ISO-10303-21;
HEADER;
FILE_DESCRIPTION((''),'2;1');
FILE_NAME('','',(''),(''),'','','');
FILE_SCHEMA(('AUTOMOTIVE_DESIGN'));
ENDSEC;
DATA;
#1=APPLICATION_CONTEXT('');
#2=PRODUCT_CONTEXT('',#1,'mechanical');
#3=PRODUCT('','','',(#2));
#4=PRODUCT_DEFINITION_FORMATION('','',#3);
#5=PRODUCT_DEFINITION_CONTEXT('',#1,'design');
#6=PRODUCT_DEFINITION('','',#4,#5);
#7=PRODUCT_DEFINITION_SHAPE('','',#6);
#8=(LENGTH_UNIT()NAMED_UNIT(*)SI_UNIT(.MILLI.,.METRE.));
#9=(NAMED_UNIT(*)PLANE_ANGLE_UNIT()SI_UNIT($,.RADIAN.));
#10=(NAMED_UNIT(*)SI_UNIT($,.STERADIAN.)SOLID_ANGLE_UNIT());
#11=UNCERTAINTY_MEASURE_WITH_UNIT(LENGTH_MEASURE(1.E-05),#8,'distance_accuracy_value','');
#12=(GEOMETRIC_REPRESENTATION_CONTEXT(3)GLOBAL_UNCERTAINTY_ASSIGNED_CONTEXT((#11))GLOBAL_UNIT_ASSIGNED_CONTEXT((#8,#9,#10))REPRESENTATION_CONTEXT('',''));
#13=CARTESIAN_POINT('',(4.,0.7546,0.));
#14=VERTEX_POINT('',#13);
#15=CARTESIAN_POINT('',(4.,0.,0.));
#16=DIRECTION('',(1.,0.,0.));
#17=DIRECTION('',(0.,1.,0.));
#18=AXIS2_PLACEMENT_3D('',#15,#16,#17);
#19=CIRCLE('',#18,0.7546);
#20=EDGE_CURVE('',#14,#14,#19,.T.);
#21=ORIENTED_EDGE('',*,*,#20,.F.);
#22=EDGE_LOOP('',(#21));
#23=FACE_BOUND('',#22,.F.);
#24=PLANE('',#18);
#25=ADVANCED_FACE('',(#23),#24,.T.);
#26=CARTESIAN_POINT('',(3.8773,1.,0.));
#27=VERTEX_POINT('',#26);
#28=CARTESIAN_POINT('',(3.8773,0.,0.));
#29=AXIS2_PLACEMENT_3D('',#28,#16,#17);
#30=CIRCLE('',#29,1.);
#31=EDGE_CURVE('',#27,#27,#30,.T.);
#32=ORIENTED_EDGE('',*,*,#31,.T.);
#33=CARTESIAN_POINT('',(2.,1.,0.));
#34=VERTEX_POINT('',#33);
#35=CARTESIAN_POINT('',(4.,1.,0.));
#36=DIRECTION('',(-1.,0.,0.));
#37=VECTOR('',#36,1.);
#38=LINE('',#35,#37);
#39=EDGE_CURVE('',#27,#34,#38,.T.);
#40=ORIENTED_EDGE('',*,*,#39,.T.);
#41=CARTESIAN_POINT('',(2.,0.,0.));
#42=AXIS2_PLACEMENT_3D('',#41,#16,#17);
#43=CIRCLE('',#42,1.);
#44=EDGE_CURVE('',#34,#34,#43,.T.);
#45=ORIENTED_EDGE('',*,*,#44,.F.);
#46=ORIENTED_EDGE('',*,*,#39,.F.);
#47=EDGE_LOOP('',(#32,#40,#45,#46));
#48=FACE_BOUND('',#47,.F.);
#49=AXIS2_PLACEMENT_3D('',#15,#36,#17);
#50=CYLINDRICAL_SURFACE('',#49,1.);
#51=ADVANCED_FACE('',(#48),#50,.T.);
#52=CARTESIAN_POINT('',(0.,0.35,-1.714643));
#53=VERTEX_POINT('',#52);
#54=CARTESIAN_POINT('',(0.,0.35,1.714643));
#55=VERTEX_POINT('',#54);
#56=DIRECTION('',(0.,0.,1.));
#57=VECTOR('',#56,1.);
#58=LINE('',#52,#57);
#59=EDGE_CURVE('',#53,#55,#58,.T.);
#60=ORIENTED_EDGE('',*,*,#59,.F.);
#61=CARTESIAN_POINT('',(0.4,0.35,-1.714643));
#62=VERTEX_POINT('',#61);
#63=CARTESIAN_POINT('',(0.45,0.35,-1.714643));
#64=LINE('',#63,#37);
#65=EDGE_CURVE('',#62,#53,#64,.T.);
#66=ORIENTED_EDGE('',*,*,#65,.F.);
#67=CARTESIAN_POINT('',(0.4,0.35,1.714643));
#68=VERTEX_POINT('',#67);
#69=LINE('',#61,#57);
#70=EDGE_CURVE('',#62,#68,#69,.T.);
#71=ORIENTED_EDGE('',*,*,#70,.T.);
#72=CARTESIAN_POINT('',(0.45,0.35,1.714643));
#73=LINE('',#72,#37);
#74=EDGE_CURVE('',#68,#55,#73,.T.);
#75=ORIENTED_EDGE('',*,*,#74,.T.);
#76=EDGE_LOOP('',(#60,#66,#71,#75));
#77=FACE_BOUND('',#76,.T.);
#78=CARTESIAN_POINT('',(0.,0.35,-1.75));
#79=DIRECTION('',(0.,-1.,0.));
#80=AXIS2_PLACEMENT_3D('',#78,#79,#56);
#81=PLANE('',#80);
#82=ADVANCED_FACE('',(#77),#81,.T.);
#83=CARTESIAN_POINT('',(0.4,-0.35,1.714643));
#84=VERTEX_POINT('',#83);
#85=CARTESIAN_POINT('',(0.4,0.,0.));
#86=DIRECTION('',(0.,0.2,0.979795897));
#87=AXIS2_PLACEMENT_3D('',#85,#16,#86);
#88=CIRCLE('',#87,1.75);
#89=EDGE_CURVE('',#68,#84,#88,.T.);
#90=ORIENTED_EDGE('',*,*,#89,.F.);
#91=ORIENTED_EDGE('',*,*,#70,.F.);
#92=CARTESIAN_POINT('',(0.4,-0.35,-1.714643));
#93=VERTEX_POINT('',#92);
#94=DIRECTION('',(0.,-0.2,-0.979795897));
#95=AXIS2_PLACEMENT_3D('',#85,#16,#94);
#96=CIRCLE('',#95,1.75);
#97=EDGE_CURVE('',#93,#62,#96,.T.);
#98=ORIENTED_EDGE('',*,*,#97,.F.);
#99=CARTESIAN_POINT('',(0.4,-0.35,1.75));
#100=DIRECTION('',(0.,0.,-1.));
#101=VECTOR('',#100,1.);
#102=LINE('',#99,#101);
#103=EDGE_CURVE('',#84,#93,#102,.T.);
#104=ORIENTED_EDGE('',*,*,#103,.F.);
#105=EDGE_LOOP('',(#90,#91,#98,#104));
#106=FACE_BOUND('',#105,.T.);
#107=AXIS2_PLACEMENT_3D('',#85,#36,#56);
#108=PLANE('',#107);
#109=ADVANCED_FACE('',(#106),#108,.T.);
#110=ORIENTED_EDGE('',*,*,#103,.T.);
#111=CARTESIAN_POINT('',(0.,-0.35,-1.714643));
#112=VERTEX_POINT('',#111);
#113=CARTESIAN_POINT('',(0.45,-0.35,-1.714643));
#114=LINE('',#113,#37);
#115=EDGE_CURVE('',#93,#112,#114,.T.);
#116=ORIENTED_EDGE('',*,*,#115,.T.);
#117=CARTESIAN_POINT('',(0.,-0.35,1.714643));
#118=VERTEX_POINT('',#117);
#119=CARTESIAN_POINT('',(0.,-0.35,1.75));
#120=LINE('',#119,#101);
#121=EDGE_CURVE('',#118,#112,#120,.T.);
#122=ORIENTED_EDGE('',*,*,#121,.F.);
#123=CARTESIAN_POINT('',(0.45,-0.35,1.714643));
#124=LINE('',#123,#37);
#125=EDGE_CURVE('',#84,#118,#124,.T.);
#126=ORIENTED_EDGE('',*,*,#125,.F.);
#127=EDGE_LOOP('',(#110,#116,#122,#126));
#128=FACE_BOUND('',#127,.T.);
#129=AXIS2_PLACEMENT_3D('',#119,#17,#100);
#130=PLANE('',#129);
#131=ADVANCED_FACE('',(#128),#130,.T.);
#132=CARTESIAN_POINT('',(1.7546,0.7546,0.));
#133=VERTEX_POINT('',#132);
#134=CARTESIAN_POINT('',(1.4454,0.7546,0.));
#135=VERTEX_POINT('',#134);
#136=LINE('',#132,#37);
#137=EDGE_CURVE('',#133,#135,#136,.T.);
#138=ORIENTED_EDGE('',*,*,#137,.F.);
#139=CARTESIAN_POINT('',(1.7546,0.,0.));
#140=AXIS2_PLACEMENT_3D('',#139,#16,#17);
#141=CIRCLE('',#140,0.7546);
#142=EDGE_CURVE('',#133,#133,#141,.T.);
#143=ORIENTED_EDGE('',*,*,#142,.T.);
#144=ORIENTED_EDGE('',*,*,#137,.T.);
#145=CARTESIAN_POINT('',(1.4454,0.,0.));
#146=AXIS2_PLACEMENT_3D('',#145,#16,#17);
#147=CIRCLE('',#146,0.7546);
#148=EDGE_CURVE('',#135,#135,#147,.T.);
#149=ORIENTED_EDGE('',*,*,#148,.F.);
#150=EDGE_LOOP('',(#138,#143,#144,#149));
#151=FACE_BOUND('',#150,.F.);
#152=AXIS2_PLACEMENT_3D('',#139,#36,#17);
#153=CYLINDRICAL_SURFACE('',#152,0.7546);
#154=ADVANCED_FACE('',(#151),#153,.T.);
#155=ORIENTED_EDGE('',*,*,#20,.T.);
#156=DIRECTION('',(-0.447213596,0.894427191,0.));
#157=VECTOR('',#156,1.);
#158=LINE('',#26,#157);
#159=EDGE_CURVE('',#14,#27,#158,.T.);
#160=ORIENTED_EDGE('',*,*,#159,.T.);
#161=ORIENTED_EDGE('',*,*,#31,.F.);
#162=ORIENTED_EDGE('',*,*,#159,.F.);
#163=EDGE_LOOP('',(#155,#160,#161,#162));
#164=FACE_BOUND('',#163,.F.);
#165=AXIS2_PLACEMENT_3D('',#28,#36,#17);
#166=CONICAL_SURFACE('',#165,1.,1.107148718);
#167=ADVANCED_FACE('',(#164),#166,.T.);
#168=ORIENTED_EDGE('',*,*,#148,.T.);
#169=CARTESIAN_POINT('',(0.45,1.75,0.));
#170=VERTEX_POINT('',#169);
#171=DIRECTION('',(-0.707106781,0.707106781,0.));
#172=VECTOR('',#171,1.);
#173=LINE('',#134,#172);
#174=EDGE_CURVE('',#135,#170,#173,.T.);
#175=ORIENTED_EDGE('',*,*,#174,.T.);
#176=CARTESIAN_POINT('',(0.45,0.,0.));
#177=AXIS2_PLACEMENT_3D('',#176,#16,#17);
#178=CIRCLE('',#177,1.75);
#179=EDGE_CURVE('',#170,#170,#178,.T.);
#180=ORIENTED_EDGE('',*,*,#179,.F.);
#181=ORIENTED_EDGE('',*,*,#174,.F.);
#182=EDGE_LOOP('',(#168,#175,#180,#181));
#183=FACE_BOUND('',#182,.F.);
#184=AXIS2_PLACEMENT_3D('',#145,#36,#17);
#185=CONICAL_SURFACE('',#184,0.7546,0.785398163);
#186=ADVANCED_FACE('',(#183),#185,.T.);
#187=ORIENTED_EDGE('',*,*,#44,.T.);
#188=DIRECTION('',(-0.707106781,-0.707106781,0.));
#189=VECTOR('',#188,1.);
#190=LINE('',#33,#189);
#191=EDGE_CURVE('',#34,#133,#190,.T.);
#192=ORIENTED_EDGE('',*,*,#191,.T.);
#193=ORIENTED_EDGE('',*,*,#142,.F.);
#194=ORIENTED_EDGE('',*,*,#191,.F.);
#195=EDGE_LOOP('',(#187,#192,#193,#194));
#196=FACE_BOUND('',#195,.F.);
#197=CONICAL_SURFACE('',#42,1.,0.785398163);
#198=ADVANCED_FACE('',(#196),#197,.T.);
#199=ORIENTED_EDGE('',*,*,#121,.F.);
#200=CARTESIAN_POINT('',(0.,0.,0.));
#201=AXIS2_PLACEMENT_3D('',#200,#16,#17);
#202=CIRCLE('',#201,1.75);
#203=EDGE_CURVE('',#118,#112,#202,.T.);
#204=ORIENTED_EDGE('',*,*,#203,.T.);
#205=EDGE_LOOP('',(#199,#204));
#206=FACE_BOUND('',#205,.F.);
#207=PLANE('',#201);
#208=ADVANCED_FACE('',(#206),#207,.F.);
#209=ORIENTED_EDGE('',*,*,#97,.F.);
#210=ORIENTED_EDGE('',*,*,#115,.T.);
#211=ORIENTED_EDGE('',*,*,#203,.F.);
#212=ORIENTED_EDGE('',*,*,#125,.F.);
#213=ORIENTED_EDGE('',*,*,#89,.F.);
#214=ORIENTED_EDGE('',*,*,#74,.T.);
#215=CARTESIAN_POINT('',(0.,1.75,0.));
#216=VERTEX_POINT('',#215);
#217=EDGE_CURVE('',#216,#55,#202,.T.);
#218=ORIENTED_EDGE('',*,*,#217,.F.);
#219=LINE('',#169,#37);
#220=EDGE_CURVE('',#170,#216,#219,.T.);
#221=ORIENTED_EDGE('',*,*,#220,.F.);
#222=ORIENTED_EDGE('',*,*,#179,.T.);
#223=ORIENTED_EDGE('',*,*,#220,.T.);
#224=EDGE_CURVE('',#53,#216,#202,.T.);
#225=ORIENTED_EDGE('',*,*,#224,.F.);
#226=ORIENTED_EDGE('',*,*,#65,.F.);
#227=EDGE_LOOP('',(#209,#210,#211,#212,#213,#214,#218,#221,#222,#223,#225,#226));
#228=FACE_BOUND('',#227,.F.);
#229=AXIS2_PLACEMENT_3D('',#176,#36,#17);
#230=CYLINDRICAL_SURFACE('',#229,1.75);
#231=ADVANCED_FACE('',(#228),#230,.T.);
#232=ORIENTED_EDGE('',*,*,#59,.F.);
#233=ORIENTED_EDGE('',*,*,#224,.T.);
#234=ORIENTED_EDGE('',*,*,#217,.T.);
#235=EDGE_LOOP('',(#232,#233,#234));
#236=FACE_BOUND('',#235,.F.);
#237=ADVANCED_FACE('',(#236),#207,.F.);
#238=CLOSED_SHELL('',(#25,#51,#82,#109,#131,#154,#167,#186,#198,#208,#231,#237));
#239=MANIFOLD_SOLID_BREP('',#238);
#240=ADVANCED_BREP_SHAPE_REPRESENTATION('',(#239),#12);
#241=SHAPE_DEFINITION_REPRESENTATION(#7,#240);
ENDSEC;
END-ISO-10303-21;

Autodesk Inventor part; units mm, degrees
ref_plane "YZ Plane" through (0, 0, 0) normal (1, 0, 0) x (0, 1, 0)
ref_plane "XZ Plane" through (0, 0, 0) normal (0, 1, 0) x (-1, 0, 0)
sketch "Skizze1" plane through (0, 0, 0) normal (0, 0, 1) x (1, 0, 0)
  line L0 (0, 0) -> (4, 0)
  line L1 (4, 0) -> (4, 1)
  line L2 (4, 1) -> (2, 1)
  line L3 (2, 1) -> (1.7546, 0.7546)
  line L4 (1.7546, 0.7546) -> (1.4454, 0.7546)
  line L5 (1.4454, 0.7546) -> (0.45, 1.75)
  line L6 (0.45, 1.75) -> (0, 1.75)
  line L7 (0, 1.75) -> (0, 0)
  line L8 (2, 1) -> (1.2, 1) construction
  line L9 (-0.8, 0) -> (4.8, 0) projected
  line L10 (0, 2.1) -> (0, -0.35) projected
  dimension "d0" = 4
  dimension "d1" = 45
  dimension "d2" = 0.2454
  dimension "d3" = 2
  dimension "d4" = 1.2
  dimension "d5" = 1.5092
  dimension "d6" = 2
  dimension "d7" = 3.5
revolve "Körper" add sketch "Skizze1" angle 360 about axis through (0, 0, 0) along (1, 0, 0)
sketch "Skizze2" plane through (0, 0, 0) normal (-1, 0, 0) x (0, 0, 1)
  line L0 (1.75, -0.35) -> (-1.75, -0.35)
  line L1 (-1.75, -0.35) -> (-1.75, 0.35)
  line L2 (-1.75, 0.35) -> (1.75, 0.35)
  line L3 (1.75, 0.35) -> (1.75, -0.35)
  line L4 (0, 0.35) -> (0, -0.35) construction
  line L5 (-1.75, 0) -> (1.75, 0) construction
  line L6 (0, 1.75) -> (0, 0) projected
  dimension "d15" = 0.7
  dimension "d16" = 3.5
extrude "Loch" cut sketch "Skizze2" against normal blind 0.4
thread "Gewinde" size "M2x0.4" class "6g" standard "ISO Metric profile" length 2
chamfer "Fase1" distance 0.2454 distance2 0.1227 1 edges at (4, -1, 0) measured on face at (4, 0.3275, -0.4215)
ref_plane "Work Plane1" through (33.575, 0, 0) normal (0, 0, -1) x (1, 0, 0)
equation "\"d0\" = NLG"
equation "\"d1\" = 0.5 * SEWI"
equation "\"d2\" = GAL"
equation "\"d3\" = GEL"
equation "\"d4\" = KOH"
equation "\"d5\" = BDM"
equation "\"d6\" = GD"
equation "\"d7\" = KOD"
equation "\"d15\" = SBR"
equation "\"d16\" = KOD"
equation "\"d8\" = STI"
equation "\"d10\" = GEL"
equation "\"d12\" = -0.5 * SPD + 0.5 * GD"
equation "\"d13\" = 0.5 * GAL"
equation "\"NLG\" = 4"
equation "\"GAL\" = 0.61345 * PTC"
equation "\"GEL\" = 2"
equation "\"KOH\" = 1.2"
equation "\"KOD\" = 3.5"
equation "\"SEWI\" = 90deg"
equation "\"BDM\" = NND - 1.2269 * PTC"
equation "\"GD\" = NND"
equation "\"SBR\" = 0.7"
equation "\"STI\" = 0.4"
equation "\"SPD\" = NND - 1.2269 * PTC"
equation "\"GUL\" = 0.61345 * PTC"
equation "\"PTC\" = 0.4"
equation "\"EPV\" = 2.2"
equation "\"THREADDIA\" = 2"
equation "\"TOA\" = 30deg"
equation "\"RR\" = 0.2"
equation "\"NND\" = 2"
equation "\"GD1\" = THREADDIA - 1.2269 * PTC"
properties part number "AS 1427 - M2 x 4" material "Stahl, weich"
